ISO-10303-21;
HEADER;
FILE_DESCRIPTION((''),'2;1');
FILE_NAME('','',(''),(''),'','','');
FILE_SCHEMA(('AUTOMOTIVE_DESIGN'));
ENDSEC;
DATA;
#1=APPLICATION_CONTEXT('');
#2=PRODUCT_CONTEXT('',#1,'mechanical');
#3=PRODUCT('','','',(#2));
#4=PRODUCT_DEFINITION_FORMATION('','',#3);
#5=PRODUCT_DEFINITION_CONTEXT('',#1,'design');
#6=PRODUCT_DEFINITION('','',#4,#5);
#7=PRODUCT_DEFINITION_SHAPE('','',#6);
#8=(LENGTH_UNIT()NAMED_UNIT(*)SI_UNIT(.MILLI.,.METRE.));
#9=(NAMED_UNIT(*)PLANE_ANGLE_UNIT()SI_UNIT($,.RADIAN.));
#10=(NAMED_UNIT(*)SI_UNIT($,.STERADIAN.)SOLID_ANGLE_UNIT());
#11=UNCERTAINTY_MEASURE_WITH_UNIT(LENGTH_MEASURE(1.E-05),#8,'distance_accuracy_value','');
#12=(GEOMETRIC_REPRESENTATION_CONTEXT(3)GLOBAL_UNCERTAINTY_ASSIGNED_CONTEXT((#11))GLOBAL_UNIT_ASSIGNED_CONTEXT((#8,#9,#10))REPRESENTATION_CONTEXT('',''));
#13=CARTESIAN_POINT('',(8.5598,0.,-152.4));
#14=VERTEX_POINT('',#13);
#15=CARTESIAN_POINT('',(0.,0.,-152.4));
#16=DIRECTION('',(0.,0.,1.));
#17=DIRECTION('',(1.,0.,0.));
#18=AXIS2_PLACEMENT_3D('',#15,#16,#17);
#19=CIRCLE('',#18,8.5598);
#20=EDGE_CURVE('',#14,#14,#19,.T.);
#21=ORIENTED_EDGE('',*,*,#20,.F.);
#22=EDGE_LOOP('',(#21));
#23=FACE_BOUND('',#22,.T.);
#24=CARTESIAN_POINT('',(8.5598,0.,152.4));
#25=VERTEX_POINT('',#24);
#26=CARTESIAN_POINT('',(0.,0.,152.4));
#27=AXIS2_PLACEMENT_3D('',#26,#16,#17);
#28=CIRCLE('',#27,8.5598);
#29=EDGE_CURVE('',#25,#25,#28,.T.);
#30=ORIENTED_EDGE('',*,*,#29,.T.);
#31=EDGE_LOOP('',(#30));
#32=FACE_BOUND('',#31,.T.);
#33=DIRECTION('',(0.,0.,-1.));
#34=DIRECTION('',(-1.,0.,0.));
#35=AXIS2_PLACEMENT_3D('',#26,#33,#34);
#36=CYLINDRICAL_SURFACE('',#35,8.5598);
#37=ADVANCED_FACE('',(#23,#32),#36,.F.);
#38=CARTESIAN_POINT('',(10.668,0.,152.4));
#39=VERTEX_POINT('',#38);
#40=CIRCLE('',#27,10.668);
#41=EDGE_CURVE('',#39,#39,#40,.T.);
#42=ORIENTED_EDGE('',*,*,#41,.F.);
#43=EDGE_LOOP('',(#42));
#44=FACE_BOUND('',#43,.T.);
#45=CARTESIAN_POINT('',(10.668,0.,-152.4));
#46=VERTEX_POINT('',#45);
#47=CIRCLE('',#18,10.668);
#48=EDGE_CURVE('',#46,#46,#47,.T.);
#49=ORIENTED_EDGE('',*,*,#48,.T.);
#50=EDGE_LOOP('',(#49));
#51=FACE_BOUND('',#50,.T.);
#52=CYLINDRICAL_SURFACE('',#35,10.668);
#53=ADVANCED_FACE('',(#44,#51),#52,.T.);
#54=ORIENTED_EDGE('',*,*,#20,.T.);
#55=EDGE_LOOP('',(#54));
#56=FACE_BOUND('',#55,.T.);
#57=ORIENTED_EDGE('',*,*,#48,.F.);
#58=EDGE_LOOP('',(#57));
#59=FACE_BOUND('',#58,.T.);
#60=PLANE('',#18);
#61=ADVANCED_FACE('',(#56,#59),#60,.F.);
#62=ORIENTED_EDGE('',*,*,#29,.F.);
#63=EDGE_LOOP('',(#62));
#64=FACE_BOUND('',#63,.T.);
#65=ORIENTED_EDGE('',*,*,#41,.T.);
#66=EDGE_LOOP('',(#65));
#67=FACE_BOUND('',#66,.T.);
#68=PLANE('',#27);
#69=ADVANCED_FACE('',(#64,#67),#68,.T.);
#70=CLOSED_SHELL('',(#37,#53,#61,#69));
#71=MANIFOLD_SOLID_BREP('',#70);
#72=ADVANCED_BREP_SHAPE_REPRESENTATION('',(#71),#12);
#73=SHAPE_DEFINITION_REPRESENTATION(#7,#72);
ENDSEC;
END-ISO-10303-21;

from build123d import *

# Parameters (mm, degrees)
BOSS_EXTRUDE1_DEPTH      = 152.4
BOSS_EXTRUDE1_DEPTH_BACK = 152.4
SKETCH3_R                = 10.668
SKETCH3_R_2              = 8.5598


with BuildPart() as part:
    # Sketch3 → Boss-Extrude1 (new, two sides: drawn at the far end of the back side and taken through both)
    with BuildSketch(Plane.XY.offset(-BOSS_EXTRUDE1_DEPTH_BACK)):
        Circle(SKETCH3_R)
        Circle(SKETCH3_R_2, mode=Mode.SUBTRACT)
    extrude(amount=BOSS_EXTRUDE1_DEPTH + BOSS_EXTRUDE1_DEPTH_BACK)


solid = part.part
